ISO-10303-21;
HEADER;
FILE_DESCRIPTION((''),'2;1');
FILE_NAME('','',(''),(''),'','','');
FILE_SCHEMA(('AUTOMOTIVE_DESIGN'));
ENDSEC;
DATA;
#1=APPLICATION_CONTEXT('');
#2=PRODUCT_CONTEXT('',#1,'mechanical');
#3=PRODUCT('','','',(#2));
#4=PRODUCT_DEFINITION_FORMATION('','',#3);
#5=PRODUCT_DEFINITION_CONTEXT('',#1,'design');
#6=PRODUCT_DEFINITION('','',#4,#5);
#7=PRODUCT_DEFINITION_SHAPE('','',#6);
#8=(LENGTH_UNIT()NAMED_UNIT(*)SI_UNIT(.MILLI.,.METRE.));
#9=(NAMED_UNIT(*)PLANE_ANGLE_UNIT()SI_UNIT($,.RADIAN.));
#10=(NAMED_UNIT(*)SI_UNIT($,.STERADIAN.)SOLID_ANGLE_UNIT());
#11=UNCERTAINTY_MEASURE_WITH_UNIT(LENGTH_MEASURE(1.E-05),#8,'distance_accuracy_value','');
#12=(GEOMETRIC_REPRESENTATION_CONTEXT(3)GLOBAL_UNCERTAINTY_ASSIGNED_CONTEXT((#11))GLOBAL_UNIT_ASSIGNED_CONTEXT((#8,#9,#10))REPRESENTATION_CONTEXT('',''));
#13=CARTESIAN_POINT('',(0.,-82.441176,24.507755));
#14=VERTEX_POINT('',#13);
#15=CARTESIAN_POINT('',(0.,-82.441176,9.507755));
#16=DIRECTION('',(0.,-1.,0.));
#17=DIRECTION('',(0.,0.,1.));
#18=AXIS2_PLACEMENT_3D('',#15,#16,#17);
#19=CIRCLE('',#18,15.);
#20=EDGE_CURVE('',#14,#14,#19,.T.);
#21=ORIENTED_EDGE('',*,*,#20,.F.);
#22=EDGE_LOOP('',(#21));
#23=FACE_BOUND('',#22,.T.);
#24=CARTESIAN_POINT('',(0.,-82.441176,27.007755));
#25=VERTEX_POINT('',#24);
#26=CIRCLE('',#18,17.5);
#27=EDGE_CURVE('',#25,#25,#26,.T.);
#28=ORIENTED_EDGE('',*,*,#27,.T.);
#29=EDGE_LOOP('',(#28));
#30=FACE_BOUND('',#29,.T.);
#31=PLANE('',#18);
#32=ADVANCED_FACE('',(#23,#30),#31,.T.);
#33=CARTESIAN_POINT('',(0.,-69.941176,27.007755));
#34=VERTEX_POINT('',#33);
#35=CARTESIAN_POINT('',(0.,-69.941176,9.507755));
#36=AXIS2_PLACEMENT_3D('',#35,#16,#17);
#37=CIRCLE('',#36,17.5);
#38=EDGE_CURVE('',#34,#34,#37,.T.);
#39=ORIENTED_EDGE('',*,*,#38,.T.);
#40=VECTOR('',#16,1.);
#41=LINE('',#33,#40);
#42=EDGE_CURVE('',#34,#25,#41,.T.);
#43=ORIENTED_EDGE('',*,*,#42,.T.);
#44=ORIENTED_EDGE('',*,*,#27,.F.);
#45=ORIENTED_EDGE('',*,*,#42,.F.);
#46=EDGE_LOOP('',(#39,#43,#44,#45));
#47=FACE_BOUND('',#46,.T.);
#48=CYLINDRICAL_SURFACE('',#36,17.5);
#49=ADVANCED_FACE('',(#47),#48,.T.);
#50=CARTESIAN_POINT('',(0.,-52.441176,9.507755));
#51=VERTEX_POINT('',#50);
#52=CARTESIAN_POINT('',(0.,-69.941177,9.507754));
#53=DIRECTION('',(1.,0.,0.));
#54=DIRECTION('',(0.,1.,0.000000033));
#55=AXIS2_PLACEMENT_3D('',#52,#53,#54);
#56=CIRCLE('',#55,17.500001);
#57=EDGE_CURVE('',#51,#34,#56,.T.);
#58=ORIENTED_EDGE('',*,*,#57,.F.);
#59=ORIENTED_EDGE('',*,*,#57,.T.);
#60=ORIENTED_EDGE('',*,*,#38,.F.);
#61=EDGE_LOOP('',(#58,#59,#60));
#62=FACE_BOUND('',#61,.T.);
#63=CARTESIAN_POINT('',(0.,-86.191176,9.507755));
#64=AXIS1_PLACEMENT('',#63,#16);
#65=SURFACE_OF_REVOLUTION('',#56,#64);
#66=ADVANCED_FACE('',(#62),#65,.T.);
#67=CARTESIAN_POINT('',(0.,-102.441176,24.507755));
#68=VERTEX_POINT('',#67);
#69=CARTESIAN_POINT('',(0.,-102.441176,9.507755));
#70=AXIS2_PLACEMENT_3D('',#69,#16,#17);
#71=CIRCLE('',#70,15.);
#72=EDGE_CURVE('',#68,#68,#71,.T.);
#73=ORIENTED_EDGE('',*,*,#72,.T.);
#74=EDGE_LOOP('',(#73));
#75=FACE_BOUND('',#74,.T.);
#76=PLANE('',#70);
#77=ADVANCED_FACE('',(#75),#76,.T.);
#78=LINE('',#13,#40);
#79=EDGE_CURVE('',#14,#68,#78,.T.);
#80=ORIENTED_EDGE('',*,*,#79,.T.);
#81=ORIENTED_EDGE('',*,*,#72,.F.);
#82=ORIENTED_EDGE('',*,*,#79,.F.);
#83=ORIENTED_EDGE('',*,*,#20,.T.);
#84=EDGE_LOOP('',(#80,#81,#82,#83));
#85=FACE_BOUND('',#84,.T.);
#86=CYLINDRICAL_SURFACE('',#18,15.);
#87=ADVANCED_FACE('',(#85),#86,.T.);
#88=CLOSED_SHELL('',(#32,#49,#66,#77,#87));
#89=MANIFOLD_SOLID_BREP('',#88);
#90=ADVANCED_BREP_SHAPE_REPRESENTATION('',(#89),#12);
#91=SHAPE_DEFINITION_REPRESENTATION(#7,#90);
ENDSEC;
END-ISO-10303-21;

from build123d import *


with BuildPart() as f1:
    # F0 (on Right) → F1 (revolve)
    with BuildSketch(Plane.YZ):
        with BuildLine():
            Line((-102.441176, 24.507755), (-102.441176, 9.507755))
            Line((-102.441176, 9.507755), (-69.941176, 9.507755))
            Line((-69.941176, 9.507755), (-52.441176, 9.507755))
            ThreePointArc((-52.441176, 9.507755), (-57.566807, 21.882123), (-69.941176, 27.007755))
            Line((-69.941176, 27.007755), (-82.441176, 27.007755))
            Line((-82.441176, 27.007755), (-82.441176, 24.507755))
            Line((-82.441176, 24.507755), (-102.441176, 24.507755))
        make_face()
    revolve(axis=Axis((0, -86.191176, 9.507755), (0, -1, 0)))


solid = f1.part
